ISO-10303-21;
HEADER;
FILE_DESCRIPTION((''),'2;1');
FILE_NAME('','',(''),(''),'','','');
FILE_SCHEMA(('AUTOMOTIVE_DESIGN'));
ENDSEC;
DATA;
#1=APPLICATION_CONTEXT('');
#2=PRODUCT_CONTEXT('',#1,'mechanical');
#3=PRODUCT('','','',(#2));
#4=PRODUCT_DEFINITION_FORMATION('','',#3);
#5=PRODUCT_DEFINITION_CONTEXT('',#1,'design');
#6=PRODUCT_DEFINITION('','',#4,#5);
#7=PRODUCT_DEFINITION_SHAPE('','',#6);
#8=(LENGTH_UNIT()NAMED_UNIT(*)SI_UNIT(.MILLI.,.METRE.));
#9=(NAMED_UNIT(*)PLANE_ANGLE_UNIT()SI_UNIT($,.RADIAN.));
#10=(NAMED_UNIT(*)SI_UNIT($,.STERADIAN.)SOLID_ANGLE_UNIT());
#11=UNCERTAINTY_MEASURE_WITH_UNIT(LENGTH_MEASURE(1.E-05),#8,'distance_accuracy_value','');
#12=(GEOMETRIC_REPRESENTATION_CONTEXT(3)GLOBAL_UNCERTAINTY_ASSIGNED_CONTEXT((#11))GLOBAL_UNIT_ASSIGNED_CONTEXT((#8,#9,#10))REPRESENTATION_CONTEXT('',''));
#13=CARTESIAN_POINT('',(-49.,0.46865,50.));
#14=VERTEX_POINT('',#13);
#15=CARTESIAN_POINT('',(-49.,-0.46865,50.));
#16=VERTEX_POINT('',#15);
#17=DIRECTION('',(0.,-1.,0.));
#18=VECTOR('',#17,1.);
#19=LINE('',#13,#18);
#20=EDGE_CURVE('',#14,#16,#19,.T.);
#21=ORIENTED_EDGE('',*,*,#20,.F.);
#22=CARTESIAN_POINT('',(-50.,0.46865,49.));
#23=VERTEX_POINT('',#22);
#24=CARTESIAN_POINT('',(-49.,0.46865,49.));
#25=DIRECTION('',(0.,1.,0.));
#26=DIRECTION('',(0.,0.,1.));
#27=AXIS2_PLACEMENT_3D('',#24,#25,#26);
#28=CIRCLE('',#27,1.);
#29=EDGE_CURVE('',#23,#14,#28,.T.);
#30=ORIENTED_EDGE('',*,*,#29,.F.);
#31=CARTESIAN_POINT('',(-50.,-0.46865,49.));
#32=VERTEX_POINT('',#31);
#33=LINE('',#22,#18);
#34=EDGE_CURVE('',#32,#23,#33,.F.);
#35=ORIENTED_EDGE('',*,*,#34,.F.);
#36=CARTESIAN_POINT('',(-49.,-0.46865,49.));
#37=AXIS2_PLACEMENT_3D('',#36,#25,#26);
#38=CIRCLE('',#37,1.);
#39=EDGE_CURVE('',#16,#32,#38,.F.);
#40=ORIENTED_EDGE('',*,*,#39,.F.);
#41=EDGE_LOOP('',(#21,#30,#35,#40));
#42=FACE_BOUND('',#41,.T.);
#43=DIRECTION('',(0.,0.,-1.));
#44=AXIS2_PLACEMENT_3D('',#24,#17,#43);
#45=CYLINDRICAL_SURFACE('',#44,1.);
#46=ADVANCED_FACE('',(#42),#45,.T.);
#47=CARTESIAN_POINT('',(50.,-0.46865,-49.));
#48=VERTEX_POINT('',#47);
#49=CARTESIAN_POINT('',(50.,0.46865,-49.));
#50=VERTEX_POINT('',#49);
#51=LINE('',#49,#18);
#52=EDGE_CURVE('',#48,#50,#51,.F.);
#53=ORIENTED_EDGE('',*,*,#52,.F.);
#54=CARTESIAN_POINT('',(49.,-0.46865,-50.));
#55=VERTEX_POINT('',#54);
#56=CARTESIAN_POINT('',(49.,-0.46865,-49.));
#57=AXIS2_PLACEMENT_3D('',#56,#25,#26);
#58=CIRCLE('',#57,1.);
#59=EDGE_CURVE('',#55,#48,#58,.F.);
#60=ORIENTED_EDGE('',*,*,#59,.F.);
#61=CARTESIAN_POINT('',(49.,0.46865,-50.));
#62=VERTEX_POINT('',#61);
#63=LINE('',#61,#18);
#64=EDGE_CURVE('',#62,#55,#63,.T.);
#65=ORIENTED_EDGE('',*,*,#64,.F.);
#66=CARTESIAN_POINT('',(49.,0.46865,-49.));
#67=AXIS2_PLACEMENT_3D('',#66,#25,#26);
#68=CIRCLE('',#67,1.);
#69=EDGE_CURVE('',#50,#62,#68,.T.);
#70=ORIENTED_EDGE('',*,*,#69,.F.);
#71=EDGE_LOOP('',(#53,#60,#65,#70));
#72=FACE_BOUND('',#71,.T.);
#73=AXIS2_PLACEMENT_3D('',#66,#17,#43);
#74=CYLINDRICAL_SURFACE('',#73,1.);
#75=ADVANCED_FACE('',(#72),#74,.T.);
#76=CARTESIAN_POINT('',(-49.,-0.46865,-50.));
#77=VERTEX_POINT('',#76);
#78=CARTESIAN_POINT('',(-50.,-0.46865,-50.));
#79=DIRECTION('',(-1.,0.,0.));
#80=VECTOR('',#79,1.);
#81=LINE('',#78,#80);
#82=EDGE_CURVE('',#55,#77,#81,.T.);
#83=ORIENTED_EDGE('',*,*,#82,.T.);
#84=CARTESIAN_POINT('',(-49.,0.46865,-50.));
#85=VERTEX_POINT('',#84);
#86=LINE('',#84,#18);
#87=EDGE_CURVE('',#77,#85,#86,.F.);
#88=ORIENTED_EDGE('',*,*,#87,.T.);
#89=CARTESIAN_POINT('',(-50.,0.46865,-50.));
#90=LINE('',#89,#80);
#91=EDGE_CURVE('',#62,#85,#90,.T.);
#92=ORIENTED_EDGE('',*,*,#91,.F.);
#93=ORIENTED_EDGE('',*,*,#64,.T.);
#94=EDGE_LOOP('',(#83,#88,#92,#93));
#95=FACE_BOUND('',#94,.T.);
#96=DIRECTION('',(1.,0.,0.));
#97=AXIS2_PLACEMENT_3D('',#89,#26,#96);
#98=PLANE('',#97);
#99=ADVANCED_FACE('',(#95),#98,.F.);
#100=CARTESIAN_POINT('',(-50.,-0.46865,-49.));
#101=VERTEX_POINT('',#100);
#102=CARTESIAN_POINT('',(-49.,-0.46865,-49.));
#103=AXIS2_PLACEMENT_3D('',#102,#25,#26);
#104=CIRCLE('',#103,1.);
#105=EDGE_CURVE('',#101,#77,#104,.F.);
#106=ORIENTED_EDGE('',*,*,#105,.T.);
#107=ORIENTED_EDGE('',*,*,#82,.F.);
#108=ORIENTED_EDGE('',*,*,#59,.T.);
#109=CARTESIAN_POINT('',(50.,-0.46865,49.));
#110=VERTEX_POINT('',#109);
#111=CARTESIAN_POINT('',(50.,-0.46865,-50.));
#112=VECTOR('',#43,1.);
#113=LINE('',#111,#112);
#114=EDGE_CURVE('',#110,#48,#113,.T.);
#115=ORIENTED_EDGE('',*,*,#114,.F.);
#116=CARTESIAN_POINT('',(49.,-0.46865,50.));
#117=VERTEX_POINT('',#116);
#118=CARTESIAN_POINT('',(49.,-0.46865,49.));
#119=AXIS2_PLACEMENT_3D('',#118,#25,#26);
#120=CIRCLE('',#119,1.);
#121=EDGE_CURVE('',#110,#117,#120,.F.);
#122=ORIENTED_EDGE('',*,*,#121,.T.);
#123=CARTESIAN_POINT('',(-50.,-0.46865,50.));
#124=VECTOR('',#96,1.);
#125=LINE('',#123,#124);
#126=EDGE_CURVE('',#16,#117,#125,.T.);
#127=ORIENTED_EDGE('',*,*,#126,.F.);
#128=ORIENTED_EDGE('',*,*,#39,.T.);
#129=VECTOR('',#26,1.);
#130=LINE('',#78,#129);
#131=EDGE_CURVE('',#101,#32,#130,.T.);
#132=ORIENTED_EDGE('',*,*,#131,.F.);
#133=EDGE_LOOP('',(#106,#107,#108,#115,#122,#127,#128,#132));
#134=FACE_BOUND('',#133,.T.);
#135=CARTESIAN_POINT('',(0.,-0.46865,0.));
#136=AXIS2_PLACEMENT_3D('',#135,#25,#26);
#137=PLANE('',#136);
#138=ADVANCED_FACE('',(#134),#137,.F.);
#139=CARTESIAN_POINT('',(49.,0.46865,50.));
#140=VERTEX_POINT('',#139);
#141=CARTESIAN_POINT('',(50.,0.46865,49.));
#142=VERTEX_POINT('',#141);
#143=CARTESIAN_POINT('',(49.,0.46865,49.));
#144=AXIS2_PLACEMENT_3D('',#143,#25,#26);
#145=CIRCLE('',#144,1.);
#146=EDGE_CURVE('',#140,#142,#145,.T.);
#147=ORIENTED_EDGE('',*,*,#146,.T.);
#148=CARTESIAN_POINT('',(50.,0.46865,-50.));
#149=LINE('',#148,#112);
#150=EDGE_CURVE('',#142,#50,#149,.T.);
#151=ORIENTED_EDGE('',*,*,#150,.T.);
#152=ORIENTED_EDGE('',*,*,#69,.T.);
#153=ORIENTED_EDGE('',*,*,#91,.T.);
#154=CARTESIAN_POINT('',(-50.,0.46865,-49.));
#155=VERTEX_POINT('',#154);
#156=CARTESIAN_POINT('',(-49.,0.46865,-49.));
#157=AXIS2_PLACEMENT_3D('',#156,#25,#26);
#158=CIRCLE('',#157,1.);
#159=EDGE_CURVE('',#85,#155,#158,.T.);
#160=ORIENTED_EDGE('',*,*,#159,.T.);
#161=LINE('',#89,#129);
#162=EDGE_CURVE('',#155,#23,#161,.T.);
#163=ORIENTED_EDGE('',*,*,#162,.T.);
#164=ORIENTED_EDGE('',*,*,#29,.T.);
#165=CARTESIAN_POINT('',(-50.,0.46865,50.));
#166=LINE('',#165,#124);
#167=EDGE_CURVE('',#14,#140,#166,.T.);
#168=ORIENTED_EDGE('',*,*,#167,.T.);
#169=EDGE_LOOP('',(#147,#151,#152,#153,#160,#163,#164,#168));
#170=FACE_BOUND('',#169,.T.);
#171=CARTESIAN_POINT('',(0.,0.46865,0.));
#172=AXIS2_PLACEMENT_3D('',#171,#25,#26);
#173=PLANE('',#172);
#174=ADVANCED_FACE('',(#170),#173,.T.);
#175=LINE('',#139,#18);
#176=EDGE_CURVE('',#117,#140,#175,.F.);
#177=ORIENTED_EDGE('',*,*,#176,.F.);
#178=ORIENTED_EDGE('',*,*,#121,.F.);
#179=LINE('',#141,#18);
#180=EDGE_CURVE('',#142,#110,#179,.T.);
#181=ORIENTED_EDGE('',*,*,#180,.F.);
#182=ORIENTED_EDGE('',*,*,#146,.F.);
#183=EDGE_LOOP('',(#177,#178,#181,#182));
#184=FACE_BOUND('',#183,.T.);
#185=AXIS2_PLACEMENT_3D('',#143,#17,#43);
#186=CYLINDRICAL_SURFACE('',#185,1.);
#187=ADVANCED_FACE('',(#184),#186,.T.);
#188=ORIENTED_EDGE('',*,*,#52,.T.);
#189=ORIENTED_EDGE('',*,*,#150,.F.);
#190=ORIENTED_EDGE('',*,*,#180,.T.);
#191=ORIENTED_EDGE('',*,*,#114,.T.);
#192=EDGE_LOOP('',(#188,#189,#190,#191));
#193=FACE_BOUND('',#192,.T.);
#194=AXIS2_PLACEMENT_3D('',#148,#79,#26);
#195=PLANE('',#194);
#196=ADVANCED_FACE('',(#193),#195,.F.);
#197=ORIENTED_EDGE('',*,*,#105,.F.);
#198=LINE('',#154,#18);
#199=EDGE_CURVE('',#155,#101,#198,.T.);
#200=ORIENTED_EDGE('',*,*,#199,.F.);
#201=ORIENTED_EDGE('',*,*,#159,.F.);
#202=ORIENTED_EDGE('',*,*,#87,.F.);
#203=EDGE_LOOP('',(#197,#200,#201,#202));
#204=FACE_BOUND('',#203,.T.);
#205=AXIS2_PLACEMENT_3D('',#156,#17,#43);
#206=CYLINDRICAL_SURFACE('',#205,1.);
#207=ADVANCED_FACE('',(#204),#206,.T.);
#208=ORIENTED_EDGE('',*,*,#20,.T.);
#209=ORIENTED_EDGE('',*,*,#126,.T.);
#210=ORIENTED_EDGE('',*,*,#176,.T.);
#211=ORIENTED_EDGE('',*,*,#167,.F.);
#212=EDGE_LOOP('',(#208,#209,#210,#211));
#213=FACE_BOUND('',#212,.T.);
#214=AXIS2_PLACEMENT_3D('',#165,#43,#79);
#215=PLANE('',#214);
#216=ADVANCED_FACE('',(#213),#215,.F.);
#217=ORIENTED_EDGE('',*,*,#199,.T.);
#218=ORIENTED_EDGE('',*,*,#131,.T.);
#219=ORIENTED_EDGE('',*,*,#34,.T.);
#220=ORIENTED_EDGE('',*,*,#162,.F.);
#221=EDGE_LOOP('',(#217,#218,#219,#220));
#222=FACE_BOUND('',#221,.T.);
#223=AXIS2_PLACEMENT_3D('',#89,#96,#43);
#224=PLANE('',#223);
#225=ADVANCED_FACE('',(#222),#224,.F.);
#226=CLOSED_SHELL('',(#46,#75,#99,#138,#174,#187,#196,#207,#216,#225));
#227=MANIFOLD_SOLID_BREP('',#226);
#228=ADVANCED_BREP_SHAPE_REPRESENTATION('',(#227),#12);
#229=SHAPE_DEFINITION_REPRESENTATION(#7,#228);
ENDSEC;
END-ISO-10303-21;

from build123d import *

# Parameters (mm, degrees)
SKETCH1_W           = 100
SKETCH1_H           = 100
BOSS_EXTRUDE1_DEPTH = 0.46865
FILLET1_R           = 1


with BuildPart() as part:
    # Sketch1 → Boss-Extrude1 (new, symmetric)
    with BuildSketch(Plane(origin=(0, 0, 0), x_dir=(1, 0, 0), z_dir=(0, 1, 0))):
        Rectangle(SKETCH1_W, SKETCH1_H)
    extrude(amount=BOSS_EXTRUDE1_DEPTH, both=True)

    # Fillet1
    fillet1_edges = [part.edges().sort_by_distance(p)[0] for p in [
        (50, 0, 50),
        (-50, 0, 50),
        (-50, 0, -50),
        (50, 0, -50),
    ]]
    fillet(fillet1_edges, radius=FILLET1_R)


solid = part.part
